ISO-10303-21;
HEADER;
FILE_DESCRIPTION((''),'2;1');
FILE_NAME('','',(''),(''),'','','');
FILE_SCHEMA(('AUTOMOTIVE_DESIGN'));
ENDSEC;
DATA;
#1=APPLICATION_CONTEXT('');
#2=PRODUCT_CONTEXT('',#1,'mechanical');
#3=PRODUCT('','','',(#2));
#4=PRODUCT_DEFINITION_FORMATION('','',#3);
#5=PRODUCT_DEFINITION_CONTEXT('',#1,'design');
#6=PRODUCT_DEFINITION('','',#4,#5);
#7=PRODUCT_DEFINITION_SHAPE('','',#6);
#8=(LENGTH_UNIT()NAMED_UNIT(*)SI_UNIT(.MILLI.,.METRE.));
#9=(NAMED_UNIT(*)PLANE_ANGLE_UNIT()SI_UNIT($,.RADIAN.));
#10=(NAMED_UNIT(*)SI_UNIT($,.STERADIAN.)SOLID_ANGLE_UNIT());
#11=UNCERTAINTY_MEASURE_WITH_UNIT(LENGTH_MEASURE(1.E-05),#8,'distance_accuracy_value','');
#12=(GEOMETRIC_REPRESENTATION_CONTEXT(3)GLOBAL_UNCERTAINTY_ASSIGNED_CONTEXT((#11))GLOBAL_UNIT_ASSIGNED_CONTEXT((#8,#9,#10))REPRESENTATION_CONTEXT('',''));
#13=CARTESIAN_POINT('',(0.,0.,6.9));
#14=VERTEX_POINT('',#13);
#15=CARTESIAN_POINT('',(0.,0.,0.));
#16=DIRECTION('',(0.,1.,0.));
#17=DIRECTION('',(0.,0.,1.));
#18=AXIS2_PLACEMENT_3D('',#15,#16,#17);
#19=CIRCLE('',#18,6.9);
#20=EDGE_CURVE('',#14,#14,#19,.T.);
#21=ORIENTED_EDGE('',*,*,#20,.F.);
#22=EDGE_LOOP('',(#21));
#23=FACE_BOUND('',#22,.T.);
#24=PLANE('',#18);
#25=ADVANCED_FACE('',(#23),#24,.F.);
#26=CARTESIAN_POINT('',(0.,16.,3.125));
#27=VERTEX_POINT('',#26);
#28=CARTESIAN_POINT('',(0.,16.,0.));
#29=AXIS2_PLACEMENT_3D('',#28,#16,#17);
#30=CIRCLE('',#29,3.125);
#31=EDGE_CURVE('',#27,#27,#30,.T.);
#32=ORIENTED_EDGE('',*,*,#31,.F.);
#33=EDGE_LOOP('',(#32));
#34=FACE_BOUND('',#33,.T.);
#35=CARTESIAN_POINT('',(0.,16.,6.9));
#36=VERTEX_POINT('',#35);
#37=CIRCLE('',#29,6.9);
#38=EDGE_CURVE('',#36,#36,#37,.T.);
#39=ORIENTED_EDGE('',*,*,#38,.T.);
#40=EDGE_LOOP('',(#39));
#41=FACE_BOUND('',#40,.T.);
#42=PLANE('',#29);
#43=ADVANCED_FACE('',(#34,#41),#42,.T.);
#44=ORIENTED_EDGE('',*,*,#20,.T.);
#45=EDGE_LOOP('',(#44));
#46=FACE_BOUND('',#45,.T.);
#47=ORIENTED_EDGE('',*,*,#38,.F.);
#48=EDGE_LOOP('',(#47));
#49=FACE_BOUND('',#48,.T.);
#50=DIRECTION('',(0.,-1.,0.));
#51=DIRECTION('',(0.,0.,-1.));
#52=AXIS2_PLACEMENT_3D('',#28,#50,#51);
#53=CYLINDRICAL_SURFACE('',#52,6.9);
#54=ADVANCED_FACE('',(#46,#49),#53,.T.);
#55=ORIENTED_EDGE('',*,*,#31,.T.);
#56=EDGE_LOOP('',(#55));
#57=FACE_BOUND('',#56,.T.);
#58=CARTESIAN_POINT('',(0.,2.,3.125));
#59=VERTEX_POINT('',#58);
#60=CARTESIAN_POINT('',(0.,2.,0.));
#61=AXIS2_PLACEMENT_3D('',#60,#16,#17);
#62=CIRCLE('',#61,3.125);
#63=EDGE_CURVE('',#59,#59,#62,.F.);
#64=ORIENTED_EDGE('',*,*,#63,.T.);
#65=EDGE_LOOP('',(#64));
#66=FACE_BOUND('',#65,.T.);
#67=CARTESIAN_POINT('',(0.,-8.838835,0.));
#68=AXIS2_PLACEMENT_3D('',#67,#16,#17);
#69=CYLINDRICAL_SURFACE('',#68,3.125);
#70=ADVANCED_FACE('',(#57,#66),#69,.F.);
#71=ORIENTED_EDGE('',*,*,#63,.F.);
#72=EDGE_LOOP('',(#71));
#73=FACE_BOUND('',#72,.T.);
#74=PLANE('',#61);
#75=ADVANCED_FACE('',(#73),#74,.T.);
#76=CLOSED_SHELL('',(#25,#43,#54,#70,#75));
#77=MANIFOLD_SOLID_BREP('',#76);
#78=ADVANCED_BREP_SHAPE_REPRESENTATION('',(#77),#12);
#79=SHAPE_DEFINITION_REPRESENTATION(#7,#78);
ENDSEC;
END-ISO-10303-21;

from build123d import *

# Parameters (mm, degrees)
SKETCH1_R           = 6.9
BOSS_EXTRUDE1_DEPTH = 16
SKETCH2_R           = 3.125
CUT_EXTRUDE1_DEPTH  = 14


with BuildPart() as part:
    # Sketch1 → Boss-Extrude1 (new body)
    with BuildSketch(Plane(origin=(0, 0, 0), x_dir=(1, 0, 0), z_dir=(0, 1, 0))):
        with Locations(Location((0, 0, 0), (0, 0, 270))):
            Circle(SKETCH1_R)
    extrude(amount=BOSS_EXTRUDE1_DEPTH)

    # Sketch2 → Cut-Extrude1 (cut)
    with BuildSketch(Plane(origin=(0, 16, 0), x_dir=(1, 0, 0), z_dir=(0, 1, 0))):
        with Locations(Location((0, 0, 0), (0, 0, 270))):
            Circle(SKETCH2_R)
    extrude(amount=-CUT_EXTRUDE1_DEPTH, mode=Mode.SUBTRACT)


solid = part.part
